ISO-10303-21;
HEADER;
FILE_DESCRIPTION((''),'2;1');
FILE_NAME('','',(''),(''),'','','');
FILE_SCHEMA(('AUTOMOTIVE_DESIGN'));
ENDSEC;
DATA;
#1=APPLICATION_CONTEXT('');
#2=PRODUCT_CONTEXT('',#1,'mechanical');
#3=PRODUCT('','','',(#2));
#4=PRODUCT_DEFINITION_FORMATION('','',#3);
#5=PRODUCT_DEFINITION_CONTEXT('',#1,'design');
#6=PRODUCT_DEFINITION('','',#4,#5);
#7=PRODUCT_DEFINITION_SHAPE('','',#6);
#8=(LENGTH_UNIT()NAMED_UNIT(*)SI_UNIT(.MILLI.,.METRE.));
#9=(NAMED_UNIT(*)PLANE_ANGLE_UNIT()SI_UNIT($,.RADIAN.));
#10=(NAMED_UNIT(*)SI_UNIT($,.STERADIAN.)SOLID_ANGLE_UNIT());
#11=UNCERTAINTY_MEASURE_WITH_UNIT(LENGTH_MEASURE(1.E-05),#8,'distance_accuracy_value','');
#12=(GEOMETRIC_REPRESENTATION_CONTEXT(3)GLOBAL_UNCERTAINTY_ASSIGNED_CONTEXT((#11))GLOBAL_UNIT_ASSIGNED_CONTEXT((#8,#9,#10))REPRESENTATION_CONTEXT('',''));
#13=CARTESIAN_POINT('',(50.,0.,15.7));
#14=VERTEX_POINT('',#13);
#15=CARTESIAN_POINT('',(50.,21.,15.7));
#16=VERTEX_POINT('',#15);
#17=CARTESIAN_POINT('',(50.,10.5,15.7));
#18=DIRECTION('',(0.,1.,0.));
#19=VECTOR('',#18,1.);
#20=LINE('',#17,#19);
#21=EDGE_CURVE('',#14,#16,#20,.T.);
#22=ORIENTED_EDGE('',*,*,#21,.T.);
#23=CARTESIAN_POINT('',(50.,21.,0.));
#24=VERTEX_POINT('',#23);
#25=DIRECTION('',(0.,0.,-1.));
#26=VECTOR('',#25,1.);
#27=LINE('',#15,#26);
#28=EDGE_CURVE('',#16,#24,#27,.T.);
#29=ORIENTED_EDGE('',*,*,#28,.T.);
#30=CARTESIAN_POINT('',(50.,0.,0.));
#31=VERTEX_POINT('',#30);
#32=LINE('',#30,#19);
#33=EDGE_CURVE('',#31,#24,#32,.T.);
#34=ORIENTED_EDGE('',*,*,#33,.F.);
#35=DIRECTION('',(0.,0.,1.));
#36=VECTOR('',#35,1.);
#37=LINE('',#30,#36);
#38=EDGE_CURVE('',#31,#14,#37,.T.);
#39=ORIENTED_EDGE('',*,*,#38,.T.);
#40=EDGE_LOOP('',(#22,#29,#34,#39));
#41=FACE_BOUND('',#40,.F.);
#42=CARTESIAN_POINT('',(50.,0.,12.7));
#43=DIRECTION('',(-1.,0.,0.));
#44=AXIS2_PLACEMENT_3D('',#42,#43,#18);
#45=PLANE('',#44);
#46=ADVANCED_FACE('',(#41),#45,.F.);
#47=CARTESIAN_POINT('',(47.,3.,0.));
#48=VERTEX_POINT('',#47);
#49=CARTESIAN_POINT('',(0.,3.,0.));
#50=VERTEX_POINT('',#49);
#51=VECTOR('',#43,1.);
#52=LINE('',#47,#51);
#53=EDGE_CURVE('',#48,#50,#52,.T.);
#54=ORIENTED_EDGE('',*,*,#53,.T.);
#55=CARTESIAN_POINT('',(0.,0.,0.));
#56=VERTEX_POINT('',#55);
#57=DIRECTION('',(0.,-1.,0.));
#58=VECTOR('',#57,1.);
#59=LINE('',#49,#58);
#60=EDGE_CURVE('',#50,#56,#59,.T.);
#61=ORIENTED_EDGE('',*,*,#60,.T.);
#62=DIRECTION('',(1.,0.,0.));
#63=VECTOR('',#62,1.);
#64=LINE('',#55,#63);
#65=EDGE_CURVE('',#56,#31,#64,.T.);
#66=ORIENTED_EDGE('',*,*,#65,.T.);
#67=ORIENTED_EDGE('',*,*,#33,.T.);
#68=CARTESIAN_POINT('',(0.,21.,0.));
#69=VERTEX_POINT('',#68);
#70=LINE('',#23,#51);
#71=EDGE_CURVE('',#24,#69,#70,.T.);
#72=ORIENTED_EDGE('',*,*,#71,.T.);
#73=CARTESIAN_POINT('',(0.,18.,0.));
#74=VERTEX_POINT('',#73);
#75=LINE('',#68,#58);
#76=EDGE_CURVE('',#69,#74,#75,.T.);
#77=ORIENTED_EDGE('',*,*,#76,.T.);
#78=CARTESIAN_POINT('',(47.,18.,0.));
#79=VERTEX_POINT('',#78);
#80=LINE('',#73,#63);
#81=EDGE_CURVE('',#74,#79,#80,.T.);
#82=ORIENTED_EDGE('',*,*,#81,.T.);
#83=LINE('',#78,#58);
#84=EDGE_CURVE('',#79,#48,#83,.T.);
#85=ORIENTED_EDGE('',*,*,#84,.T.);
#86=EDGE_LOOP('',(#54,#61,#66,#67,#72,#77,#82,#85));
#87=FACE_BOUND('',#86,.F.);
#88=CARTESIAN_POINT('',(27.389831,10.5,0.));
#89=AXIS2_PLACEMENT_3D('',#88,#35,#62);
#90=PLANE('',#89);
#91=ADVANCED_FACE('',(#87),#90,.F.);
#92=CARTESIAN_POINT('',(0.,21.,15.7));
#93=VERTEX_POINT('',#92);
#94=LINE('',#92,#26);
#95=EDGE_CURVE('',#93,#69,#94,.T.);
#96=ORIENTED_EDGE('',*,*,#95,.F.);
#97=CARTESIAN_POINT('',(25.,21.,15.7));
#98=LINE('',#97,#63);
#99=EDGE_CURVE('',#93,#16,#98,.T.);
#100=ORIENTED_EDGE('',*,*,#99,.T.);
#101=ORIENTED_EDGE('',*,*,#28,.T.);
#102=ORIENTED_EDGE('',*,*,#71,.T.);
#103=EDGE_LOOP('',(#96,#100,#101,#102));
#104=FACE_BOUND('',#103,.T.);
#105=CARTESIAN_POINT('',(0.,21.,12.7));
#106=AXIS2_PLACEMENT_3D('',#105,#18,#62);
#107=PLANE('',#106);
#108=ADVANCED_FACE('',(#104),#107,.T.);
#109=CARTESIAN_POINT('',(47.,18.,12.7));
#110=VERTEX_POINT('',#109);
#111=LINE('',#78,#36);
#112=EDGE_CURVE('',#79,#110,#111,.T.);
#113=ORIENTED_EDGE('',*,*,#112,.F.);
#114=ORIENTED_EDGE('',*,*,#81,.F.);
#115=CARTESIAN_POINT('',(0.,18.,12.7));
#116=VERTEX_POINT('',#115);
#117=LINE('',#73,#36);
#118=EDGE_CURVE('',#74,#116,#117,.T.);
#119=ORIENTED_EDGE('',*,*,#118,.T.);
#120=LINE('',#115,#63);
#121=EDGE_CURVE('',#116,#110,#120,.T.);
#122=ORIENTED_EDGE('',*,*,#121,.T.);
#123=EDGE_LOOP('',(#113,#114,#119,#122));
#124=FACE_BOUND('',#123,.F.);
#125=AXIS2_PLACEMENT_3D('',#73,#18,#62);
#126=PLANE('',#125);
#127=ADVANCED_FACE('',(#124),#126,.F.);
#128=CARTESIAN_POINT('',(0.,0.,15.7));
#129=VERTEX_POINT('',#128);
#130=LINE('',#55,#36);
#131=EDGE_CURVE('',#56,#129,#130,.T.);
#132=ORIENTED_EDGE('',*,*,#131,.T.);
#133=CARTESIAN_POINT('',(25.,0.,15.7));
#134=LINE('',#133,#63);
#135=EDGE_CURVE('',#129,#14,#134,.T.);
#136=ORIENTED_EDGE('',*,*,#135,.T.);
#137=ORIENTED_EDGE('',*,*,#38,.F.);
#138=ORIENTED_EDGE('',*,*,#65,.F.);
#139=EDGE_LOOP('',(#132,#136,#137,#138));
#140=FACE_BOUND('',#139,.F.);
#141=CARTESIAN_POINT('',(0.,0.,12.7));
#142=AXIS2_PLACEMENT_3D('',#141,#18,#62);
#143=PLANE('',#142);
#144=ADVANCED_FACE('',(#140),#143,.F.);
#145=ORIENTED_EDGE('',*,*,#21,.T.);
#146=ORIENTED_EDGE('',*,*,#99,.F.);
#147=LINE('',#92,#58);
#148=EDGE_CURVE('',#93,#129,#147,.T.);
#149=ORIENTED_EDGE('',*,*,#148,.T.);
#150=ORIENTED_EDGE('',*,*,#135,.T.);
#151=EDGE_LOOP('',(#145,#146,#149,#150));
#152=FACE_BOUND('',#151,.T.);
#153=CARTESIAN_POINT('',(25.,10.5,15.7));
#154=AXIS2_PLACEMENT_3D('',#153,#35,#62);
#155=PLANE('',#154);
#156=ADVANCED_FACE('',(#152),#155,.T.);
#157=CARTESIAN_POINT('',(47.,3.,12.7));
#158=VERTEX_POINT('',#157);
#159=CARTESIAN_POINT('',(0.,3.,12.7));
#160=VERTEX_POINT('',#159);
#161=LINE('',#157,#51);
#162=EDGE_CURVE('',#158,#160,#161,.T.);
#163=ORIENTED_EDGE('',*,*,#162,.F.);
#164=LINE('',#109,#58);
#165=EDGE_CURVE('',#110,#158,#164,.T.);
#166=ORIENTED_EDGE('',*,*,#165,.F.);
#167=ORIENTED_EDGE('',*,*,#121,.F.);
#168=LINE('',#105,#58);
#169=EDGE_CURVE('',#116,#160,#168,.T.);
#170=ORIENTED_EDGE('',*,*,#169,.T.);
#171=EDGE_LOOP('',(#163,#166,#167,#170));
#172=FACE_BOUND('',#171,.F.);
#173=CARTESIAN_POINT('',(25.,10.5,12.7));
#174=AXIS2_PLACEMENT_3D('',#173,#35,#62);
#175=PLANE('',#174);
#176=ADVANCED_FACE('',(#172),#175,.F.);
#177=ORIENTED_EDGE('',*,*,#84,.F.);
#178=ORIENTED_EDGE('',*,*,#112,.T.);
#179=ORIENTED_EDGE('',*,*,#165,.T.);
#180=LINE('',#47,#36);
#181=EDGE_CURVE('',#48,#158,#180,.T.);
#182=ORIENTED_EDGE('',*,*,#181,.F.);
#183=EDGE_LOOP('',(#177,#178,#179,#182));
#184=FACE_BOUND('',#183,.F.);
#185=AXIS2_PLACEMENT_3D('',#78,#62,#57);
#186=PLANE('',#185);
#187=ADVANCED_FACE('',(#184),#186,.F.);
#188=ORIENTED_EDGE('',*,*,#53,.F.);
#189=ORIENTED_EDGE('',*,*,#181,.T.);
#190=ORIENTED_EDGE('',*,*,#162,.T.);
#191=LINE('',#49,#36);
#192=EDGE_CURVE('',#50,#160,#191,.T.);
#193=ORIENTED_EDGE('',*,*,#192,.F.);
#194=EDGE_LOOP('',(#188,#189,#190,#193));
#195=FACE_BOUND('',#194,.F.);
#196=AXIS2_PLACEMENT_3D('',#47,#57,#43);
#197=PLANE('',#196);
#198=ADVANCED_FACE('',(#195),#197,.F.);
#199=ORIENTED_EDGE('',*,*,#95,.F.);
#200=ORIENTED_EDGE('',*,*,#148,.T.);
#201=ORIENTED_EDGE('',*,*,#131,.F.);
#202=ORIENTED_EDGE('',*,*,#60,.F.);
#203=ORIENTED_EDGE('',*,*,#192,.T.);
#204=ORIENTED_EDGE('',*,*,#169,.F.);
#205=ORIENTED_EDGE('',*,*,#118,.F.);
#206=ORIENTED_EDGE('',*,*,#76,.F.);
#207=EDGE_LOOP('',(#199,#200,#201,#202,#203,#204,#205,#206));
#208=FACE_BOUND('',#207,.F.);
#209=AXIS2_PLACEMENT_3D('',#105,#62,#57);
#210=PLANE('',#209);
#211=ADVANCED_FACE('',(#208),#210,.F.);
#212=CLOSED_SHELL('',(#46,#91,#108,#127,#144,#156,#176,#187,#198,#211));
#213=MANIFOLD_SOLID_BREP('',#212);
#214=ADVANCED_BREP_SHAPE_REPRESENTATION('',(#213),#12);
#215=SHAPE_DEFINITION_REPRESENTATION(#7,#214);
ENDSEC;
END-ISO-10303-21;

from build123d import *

# Parameters (mm, degrees)
F1_DEPTH = 12.7
F2_W     = 50
F2_H     = 21
F3_DEPTH = 3


with BuildPart() as f1:
    # F0 (on Top) → F1 (new body)
    with BuildSketch(Plane.XY):
        Polygon((0, 3), (0, 0), (50, 0), (50, 21), (0, 21), (0, 18), (47, 18), (47, 3), align=None)
    extrude(amount=F1_DEPTH)

    # F2 (on face) → F3 (join)
    with BuildSketch(Plane.XY.offset(12.7)):
        with Locations((25, 10.5)):
            Rectangle(F2_W, F2_H)
        Polygon((50, 21), (0, 21), (0, 18), (0, 0), (50, 0), align=None)
    extrude(amount=F3_DEPTH)


solid = f1.part
